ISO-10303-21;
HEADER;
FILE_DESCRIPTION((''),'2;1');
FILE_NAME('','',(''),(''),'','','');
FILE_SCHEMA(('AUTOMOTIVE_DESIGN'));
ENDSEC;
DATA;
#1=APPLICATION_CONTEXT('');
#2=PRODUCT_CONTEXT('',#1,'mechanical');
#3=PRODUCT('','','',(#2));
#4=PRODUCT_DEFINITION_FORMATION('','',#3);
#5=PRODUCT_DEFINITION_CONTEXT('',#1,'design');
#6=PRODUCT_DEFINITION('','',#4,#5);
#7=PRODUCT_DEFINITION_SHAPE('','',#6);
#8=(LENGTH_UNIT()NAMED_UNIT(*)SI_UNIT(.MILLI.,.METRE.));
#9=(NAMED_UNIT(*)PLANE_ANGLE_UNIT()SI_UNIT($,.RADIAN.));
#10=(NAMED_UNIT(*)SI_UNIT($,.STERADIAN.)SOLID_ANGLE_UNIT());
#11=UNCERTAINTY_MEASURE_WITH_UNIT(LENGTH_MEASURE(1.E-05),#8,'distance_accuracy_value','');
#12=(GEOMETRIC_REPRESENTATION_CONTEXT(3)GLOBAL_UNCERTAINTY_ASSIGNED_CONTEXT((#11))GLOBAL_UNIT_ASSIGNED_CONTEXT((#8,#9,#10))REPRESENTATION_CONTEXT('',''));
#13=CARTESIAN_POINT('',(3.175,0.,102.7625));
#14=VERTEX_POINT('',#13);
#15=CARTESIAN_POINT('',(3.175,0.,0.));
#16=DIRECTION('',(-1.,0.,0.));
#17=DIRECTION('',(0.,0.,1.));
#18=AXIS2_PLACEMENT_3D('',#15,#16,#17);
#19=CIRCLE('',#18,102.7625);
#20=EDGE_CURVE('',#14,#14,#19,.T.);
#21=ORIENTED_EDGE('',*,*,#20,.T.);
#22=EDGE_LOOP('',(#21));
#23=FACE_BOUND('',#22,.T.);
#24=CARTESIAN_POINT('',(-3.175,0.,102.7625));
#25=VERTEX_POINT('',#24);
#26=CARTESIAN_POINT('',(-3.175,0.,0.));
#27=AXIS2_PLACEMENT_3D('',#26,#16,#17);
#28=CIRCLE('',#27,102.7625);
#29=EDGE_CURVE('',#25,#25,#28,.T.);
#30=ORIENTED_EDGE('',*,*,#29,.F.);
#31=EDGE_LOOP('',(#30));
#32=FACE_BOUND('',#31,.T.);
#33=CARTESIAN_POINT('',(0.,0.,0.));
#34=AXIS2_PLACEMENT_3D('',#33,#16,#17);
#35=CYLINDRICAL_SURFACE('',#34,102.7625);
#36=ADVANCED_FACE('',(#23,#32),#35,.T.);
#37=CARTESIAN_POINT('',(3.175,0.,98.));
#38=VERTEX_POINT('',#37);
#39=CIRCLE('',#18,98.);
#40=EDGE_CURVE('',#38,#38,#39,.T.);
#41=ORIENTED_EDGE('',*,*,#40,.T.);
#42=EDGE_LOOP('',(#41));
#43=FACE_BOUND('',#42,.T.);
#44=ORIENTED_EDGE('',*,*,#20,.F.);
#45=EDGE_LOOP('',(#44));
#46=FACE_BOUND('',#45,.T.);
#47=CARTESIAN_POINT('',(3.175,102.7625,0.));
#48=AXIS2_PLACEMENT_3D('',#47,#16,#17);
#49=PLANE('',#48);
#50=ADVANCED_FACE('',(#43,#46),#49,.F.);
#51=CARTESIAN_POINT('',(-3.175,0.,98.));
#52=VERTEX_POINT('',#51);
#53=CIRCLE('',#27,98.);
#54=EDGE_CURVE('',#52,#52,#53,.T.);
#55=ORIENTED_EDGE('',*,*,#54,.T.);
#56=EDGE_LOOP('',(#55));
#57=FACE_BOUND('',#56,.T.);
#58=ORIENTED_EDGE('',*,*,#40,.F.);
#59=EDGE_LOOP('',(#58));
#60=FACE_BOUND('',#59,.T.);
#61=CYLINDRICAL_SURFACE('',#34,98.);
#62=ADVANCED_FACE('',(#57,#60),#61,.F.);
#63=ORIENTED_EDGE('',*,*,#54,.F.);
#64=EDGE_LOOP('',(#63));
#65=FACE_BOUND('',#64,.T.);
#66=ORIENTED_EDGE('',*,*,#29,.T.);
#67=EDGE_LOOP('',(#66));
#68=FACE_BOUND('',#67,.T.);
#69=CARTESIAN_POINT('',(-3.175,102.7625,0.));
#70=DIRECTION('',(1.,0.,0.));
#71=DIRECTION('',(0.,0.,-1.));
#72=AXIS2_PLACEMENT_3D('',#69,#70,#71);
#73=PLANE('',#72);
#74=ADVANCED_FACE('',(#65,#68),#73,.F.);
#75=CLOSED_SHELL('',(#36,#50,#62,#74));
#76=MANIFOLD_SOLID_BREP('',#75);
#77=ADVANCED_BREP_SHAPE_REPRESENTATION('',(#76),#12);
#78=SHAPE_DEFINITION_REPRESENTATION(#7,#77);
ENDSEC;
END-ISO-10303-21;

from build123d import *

# Parameters (mm, degrees)
SKETCH1_W = 6.35
SKETCH1_H = 4.7625


with BuildPart() as part:
    # Sketch1 → Revolve1 (revolve)
    with BuildSketch(Plane.XY, mode=Mode.PRIVATE) as revolve1_sk:
        with Locations((0, 100.38125)):
            Rectangle(SKETCH1_W, SKETCH1_H)
    revolve(revolve1_sk.sketch.rotate(Axis((0, 0, 0), (1, 0, 0)), 90), axis=Axis((0, 0, 0), (1, 0, 0)))


solid = part.part
